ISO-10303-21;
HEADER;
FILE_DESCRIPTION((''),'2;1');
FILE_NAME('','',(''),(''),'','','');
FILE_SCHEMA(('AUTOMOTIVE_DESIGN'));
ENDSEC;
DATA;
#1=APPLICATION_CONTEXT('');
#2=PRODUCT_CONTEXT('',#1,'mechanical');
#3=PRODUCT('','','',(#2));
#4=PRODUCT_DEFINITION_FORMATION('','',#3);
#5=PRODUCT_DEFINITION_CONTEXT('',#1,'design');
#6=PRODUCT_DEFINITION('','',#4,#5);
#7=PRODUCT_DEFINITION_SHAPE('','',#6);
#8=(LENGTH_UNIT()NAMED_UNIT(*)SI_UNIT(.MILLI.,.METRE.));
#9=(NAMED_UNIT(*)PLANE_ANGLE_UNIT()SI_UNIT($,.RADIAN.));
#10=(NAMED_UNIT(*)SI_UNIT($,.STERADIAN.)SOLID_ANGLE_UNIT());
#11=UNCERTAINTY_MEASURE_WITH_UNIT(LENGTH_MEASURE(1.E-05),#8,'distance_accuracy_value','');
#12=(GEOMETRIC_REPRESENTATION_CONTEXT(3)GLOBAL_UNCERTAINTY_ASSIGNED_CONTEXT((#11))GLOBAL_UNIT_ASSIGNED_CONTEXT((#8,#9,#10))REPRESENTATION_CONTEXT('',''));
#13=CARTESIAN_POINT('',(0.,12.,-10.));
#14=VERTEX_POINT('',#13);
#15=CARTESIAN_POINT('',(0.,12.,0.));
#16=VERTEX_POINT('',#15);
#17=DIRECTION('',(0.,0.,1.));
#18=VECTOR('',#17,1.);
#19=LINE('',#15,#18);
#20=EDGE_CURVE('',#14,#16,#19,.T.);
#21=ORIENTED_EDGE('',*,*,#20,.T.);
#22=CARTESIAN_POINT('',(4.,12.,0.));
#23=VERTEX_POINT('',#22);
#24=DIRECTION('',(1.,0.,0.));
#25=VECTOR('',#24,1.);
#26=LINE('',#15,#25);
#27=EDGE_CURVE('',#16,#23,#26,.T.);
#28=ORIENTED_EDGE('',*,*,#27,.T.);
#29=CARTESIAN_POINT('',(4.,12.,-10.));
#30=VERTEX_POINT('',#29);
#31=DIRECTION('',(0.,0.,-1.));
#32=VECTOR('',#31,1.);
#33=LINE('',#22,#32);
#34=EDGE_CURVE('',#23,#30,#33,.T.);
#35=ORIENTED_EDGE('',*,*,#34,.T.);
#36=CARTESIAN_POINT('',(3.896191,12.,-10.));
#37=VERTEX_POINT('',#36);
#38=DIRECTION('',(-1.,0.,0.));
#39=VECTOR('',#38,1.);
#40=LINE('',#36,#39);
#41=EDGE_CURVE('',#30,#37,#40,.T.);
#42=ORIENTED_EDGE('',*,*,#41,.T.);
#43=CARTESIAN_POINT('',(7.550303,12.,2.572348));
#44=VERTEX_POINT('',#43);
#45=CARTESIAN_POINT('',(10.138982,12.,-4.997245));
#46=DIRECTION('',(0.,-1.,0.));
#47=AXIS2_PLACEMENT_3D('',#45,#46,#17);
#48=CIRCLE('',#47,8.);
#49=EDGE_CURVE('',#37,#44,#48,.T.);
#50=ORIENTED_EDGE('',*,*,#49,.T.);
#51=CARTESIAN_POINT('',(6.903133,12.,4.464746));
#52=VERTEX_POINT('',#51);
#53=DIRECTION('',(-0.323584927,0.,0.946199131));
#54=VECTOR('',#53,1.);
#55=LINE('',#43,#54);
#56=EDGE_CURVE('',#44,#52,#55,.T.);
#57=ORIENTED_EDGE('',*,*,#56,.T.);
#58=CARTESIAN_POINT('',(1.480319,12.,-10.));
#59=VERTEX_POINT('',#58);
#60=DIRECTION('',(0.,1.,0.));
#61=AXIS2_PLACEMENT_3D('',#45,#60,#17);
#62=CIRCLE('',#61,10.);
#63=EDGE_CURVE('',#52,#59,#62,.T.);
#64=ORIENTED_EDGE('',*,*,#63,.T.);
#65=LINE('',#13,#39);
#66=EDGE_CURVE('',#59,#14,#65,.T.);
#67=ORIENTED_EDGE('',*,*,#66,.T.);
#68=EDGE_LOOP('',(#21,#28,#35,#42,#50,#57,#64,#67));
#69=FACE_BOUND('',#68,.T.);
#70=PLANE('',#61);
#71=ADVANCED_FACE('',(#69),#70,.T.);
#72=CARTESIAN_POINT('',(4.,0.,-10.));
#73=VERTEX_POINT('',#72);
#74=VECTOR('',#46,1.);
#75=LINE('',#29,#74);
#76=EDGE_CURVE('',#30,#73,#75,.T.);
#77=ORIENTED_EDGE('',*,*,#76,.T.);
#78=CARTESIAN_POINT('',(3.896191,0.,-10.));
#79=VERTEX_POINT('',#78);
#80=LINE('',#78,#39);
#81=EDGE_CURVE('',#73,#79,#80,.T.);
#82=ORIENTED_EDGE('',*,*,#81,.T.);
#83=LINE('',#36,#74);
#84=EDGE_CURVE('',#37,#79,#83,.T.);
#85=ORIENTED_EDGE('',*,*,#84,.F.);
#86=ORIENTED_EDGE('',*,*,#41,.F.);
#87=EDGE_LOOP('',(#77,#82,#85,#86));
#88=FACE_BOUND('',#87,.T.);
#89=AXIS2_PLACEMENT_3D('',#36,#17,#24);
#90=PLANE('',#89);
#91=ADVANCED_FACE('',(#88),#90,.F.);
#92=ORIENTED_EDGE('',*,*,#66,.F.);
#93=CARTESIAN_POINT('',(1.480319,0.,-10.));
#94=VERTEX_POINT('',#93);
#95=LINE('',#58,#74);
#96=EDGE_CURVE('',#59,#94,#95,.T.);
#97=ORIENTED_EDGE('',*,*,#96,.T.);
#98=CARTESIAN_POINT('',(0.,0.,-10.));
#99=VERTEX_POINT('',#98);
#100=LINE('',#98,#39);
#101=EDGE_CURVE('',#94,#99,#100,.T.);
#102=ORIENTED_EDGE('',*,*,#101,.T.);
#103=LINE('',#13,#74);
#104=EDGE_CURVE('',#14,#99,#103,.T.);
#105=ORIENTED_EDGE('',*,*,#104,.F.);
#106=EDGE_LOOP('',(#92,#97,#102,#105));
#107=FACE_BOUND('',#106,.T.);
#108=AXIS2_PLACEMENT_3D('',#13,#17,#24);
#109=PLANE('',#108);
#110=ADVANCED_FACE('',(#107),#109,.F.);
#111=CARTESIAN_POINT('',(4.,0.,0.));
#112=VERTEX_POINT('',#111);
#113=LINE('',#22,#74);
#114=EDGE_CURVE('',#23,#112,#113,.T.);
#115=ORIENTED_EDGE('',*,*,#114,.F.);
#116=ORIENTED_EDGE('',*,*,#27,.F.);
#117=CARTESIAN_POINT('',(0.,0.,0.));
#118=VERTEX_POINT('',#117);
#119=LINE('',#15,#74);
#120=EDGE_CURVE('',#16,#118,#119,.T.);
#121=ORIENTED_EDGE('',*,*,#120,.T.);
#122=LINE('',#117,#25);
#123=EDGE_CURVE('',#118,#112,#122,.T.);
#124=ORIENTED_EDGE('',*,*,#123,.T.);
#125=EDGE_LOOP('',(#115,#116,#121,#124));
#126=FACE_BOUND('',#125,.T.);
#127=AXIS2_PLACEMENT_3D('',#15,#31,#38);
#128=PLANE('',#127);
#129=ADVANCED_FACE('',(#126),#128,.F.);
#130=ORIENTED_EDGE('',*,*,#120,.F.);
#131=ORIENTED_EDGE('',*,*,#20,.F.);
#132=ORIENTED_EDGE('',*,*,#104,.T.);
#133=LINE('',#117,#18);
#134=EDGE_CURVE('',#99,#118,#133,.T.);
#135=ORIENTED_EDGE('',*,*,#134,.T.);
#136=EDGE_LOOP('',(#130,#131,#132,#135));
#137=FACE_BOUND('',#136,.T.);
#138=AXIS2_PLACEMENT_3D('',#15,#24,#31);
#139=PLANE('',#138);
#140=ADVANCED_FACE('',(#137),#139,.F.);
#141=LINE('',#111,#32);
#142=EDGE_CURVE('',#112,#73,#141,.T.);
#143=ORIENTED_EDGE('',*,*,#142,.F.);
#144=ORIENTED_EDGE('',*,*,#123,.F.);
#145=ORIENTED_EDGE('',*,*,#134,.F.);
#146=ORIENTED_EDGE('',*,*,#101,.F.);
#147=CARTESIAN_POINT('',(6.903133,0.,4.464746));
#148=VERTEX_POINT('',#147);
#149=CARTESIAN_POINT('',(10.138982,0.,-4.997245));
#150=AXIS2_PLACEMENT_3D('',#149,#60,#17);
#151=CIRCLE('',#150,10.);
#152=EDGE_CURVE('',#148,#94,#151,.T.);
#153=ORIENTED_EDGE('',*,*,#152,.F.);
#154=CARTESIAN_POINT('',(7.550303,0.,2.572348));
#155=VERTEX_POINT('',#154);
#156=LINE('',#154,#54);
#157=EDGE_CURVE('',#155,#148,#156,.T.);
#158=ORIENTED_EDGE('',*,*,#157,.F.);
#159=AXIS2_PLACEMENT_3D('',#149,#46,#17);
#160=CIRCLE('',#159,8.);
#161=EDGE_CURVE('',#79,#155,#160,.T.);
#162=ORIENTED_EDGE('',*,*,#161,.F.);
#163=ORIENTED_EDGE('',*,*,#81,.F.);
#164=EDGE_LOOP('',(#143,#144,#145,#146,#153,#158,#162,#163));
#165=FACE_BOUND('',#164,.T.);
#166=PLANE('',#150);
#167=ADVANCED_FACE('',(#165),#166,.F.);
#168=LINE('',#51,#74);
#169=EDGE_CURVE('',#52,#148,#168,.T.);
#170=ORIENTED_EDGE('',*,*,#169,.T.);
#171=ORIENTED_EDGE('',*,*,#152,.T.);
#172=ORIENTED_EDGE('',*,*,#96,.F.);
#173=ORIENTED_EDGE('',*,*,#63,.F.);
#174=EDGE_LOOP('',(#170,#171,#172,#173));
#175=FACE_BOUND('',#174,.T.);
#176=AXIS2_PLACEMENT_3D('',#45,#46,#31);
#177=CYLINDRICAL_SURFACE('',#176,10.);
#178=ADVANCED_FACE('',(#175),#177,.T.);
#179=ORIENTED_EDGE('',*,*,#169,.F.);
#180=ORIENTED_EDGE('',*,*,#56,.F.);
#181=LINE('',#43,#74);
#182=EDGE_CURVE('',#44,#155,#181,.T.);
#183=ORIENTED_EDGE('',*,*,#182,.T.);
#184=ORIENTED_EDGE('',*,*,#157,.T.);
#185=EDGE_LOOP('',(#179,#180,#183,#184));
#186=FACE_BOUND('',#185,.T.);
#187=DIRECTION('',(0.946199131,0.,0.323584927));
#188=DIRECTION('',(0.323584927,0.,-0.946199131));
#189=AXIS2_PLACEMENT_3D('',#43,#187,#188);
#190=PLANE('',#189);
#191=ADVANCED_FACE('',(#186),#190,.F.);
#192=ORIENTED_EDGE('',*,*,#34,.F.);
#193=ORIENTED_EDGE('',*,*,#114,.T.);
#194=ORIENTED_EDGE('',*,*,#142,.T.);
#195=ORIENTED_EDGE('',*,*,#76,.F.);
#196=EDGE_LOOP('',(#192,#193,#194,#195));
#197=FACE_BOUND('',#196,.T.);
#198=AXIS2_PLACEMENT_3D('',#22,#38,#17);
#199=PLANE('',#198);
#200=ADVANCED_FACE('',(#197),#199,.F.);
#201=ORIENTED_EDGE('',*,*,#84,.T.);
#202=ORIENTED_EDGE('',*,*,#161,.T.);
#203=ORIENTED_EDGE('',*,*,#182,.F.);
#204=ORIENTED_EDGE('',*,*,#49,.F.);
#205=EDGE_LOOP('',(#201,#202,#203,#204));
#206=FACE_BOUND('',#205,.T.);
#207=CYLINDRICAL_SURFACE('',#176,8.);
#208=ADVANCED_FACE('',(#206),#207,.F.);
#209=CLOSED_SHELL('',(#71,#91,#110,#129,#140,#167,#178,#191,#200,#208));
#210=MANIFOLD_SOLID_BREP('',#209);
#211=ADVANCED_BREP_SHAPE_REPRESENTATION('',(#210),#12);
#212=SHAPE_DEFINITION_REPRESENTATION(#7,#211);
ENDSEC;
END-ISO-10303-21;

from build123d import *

# Parameters (mm, degrees)
BOSS_EXTRUDE1_DEPTH = 12


with BuildPart() as part:
    # Sketch1 → Boss-Extrude1 (new body)
    with BuildSketch(Plane(origin=(0, 0, 0), x_dir=(1, 0, 0), z_dir=(0, 1, 0))):
        with BuildLine():
            Line((7.550302589, -2.572347999), (6.903132735, -4.464746261))
            ThreePointArc((6.903132735, -4.464746261), (19.502585792, 8.507647316), (1.480319122, 10))
            Line((1.480319122, 10), (0, 10))
            Line((0, 10), (0, 0))
            Line((0, 0), (4, 0))
            Line((4, 0), (4, 10))
            Line((4, 10), (3.89619073, 10))
            ThreePointArc((3.89619073, 10), (17.821084722, 7.230023098), (7.550302589, -2.572347999))
        make_face()
    extrude(amount=BOSS_EXTRUDE1_DEPTH)


solid = part.part
